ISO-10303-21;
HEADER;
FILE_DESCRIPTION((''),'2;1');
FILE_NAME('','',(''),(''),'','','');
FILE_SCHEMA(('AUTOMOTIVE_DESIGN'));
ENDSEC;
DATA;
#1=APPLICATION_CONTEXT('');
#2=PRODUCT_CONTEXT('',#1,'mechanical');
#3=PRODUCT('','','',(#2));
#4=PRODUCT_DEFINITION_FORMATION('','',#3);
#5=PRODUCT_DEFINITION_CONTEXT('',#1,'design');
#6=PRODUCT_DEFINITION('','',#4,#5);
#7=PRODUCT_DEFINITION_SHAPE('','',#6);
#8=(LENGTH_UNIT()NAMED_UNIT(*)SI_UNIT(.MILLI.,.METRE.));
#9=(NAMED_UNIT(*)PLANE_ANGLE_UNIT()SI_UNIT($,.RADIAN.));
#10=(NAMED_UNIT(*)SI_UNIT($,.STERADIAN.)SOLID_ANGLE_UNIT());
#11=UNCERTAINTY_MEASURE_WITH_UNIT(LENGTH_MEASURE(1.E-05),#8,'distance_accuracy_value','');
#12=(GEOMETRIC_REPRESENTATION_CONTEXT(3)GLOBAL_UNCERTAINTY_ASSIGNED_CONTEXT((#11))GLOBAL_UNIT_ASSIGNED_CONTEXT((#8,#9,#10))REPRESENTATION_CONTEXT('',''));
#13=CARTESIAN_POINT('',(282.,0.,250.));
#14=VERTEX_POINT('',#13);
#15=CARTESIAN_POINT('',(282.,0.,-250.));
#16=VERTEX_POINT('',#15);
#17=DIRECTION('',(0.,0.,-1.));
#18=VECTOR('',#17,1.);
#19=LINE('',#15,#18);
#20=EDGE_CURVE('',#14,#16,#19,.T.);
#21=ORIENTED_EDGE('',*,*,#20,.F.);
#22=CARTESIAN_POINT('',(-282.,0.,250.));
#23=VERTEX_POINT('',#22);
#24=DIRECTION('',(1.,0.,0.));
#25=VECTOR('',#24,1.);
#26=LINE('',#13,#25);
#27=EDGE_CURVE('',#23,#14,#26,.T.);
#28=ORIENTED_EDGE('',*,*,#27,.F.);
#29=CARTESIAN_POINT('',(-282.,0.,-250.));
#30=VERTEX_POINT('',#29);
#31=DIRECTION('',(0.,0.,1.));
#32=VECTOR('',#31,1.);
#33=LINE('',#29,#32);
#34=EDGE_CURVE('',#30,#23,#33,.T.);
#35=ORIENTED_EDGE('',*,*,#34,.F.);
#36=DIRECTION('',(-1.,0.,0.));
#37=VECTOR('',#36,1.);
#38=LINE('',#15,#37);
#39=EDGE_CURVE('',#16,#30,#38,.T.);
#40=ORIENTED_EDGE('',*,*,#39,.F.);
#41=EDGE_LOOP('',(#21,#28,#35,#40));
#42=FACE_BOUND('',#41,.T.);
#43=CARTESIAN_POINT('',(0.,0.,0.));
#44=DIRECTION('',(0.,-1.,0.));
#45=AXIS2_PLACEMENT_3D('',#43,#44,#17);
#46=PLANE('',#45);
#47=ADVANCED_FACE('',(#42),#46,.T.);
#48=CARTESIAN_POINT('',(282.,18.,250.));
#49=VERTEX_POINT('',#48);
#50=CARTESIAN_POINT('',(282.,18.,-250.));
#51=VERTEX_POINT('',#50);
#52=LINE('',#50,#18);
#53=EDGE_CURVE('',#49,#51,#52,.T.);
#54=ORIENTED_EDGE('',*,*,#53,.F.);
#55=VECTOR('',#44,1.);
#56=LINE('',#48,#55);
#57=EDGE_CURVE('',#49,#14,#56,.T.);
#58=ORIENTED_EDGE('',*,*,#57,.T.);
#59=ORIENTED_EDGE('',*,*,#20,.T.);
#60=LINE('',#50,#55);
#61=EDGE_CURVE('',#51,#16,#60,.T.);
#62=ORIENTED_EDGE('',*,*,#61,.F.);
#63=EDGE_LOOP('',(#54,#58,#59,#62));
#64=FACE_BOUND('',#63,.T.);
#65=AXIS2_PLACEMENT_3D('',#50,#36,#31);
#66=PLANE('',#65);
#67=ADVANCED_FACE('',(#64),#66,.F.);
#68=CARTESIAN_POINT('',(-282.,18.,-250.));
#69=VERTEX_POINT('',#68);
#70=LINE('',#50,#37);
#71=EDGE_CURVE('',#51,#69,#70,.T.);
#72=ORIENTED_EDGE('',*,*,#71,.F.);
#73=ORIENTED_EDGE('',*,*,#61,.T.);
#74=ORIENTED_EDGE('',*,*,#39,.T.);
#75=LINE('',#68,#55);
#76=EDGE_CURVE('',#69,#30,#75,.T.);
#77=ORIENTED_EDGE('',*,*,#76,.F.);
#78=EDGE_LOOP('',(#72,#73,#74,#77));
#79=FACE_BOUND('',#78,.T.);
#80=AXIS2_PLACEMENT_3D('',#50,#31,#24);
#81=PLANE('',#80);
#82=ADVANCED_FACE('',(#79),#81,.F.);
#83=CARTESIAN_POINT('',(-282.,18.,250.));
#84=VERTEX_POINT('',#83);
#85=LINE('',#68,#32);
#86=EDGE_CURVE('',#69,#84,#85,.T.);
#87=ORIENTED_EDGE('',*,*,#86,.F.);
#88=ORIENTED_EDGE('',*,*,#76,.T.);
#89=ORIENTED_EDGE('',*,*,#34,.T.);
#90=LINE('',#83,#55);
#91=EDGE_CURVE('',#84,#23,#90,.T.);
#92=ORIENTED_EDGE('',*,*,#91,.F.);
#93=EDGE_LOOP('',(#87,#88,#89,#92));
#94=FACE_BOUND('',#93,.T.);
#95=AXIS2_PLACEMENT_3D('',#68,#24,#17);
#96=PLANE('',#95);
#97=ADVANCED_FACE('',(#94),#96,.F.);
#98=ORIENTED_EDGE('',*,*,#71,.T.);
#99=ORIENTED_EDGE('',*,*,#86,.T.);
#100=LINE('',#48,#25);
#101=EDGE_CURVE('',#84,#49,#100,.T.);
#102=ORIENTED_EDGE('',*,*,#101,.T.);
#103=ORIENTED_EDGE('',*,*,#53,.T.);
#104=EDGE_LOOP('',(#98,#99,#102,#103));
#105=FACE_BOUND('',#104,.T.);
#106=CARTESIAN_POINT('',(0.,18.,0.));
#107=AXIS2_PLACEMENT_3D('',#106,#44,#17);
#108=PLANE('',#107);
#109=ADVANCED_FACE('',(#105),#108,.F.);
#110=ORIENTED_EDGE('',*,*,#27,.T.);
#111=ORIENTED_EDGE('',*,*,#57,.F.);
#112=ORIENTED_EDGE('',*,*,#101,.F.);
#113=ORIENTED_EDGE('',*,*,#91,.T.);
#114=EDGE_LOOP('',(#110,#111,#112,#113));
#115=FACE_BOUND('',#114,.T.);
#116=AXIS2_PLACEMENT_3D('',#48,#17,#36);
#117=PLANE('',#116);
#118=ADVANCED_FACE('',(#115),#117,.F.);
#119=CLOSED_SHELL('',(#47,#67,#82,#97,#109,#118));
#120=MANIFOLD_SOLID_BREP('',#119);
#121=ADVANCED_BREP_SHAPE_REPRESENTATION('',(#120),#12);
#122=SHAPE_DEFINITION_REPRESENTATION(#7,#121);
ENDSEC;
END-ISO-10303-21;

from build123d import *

# Parameters (mm, degrees)
SKETCH_1_W      = 564
SKETCH_1_H      = 500
EXTRUDE_1_DEPTH = 18


with BuildPart() as part:
    # Эскиз1 → Бобышка-Вытянуть1 (new body)
    with BuildSketch(Plane(origin=(0, 0, 0), x_dir=(1, 0, 0), z_dir=(0, 1, 0))):
        Rectangle(SKETCH_1_W, SKETCH_1_H)
    extrude(amount=EXTRUDE_1_DEPTH)


solid = part.part
